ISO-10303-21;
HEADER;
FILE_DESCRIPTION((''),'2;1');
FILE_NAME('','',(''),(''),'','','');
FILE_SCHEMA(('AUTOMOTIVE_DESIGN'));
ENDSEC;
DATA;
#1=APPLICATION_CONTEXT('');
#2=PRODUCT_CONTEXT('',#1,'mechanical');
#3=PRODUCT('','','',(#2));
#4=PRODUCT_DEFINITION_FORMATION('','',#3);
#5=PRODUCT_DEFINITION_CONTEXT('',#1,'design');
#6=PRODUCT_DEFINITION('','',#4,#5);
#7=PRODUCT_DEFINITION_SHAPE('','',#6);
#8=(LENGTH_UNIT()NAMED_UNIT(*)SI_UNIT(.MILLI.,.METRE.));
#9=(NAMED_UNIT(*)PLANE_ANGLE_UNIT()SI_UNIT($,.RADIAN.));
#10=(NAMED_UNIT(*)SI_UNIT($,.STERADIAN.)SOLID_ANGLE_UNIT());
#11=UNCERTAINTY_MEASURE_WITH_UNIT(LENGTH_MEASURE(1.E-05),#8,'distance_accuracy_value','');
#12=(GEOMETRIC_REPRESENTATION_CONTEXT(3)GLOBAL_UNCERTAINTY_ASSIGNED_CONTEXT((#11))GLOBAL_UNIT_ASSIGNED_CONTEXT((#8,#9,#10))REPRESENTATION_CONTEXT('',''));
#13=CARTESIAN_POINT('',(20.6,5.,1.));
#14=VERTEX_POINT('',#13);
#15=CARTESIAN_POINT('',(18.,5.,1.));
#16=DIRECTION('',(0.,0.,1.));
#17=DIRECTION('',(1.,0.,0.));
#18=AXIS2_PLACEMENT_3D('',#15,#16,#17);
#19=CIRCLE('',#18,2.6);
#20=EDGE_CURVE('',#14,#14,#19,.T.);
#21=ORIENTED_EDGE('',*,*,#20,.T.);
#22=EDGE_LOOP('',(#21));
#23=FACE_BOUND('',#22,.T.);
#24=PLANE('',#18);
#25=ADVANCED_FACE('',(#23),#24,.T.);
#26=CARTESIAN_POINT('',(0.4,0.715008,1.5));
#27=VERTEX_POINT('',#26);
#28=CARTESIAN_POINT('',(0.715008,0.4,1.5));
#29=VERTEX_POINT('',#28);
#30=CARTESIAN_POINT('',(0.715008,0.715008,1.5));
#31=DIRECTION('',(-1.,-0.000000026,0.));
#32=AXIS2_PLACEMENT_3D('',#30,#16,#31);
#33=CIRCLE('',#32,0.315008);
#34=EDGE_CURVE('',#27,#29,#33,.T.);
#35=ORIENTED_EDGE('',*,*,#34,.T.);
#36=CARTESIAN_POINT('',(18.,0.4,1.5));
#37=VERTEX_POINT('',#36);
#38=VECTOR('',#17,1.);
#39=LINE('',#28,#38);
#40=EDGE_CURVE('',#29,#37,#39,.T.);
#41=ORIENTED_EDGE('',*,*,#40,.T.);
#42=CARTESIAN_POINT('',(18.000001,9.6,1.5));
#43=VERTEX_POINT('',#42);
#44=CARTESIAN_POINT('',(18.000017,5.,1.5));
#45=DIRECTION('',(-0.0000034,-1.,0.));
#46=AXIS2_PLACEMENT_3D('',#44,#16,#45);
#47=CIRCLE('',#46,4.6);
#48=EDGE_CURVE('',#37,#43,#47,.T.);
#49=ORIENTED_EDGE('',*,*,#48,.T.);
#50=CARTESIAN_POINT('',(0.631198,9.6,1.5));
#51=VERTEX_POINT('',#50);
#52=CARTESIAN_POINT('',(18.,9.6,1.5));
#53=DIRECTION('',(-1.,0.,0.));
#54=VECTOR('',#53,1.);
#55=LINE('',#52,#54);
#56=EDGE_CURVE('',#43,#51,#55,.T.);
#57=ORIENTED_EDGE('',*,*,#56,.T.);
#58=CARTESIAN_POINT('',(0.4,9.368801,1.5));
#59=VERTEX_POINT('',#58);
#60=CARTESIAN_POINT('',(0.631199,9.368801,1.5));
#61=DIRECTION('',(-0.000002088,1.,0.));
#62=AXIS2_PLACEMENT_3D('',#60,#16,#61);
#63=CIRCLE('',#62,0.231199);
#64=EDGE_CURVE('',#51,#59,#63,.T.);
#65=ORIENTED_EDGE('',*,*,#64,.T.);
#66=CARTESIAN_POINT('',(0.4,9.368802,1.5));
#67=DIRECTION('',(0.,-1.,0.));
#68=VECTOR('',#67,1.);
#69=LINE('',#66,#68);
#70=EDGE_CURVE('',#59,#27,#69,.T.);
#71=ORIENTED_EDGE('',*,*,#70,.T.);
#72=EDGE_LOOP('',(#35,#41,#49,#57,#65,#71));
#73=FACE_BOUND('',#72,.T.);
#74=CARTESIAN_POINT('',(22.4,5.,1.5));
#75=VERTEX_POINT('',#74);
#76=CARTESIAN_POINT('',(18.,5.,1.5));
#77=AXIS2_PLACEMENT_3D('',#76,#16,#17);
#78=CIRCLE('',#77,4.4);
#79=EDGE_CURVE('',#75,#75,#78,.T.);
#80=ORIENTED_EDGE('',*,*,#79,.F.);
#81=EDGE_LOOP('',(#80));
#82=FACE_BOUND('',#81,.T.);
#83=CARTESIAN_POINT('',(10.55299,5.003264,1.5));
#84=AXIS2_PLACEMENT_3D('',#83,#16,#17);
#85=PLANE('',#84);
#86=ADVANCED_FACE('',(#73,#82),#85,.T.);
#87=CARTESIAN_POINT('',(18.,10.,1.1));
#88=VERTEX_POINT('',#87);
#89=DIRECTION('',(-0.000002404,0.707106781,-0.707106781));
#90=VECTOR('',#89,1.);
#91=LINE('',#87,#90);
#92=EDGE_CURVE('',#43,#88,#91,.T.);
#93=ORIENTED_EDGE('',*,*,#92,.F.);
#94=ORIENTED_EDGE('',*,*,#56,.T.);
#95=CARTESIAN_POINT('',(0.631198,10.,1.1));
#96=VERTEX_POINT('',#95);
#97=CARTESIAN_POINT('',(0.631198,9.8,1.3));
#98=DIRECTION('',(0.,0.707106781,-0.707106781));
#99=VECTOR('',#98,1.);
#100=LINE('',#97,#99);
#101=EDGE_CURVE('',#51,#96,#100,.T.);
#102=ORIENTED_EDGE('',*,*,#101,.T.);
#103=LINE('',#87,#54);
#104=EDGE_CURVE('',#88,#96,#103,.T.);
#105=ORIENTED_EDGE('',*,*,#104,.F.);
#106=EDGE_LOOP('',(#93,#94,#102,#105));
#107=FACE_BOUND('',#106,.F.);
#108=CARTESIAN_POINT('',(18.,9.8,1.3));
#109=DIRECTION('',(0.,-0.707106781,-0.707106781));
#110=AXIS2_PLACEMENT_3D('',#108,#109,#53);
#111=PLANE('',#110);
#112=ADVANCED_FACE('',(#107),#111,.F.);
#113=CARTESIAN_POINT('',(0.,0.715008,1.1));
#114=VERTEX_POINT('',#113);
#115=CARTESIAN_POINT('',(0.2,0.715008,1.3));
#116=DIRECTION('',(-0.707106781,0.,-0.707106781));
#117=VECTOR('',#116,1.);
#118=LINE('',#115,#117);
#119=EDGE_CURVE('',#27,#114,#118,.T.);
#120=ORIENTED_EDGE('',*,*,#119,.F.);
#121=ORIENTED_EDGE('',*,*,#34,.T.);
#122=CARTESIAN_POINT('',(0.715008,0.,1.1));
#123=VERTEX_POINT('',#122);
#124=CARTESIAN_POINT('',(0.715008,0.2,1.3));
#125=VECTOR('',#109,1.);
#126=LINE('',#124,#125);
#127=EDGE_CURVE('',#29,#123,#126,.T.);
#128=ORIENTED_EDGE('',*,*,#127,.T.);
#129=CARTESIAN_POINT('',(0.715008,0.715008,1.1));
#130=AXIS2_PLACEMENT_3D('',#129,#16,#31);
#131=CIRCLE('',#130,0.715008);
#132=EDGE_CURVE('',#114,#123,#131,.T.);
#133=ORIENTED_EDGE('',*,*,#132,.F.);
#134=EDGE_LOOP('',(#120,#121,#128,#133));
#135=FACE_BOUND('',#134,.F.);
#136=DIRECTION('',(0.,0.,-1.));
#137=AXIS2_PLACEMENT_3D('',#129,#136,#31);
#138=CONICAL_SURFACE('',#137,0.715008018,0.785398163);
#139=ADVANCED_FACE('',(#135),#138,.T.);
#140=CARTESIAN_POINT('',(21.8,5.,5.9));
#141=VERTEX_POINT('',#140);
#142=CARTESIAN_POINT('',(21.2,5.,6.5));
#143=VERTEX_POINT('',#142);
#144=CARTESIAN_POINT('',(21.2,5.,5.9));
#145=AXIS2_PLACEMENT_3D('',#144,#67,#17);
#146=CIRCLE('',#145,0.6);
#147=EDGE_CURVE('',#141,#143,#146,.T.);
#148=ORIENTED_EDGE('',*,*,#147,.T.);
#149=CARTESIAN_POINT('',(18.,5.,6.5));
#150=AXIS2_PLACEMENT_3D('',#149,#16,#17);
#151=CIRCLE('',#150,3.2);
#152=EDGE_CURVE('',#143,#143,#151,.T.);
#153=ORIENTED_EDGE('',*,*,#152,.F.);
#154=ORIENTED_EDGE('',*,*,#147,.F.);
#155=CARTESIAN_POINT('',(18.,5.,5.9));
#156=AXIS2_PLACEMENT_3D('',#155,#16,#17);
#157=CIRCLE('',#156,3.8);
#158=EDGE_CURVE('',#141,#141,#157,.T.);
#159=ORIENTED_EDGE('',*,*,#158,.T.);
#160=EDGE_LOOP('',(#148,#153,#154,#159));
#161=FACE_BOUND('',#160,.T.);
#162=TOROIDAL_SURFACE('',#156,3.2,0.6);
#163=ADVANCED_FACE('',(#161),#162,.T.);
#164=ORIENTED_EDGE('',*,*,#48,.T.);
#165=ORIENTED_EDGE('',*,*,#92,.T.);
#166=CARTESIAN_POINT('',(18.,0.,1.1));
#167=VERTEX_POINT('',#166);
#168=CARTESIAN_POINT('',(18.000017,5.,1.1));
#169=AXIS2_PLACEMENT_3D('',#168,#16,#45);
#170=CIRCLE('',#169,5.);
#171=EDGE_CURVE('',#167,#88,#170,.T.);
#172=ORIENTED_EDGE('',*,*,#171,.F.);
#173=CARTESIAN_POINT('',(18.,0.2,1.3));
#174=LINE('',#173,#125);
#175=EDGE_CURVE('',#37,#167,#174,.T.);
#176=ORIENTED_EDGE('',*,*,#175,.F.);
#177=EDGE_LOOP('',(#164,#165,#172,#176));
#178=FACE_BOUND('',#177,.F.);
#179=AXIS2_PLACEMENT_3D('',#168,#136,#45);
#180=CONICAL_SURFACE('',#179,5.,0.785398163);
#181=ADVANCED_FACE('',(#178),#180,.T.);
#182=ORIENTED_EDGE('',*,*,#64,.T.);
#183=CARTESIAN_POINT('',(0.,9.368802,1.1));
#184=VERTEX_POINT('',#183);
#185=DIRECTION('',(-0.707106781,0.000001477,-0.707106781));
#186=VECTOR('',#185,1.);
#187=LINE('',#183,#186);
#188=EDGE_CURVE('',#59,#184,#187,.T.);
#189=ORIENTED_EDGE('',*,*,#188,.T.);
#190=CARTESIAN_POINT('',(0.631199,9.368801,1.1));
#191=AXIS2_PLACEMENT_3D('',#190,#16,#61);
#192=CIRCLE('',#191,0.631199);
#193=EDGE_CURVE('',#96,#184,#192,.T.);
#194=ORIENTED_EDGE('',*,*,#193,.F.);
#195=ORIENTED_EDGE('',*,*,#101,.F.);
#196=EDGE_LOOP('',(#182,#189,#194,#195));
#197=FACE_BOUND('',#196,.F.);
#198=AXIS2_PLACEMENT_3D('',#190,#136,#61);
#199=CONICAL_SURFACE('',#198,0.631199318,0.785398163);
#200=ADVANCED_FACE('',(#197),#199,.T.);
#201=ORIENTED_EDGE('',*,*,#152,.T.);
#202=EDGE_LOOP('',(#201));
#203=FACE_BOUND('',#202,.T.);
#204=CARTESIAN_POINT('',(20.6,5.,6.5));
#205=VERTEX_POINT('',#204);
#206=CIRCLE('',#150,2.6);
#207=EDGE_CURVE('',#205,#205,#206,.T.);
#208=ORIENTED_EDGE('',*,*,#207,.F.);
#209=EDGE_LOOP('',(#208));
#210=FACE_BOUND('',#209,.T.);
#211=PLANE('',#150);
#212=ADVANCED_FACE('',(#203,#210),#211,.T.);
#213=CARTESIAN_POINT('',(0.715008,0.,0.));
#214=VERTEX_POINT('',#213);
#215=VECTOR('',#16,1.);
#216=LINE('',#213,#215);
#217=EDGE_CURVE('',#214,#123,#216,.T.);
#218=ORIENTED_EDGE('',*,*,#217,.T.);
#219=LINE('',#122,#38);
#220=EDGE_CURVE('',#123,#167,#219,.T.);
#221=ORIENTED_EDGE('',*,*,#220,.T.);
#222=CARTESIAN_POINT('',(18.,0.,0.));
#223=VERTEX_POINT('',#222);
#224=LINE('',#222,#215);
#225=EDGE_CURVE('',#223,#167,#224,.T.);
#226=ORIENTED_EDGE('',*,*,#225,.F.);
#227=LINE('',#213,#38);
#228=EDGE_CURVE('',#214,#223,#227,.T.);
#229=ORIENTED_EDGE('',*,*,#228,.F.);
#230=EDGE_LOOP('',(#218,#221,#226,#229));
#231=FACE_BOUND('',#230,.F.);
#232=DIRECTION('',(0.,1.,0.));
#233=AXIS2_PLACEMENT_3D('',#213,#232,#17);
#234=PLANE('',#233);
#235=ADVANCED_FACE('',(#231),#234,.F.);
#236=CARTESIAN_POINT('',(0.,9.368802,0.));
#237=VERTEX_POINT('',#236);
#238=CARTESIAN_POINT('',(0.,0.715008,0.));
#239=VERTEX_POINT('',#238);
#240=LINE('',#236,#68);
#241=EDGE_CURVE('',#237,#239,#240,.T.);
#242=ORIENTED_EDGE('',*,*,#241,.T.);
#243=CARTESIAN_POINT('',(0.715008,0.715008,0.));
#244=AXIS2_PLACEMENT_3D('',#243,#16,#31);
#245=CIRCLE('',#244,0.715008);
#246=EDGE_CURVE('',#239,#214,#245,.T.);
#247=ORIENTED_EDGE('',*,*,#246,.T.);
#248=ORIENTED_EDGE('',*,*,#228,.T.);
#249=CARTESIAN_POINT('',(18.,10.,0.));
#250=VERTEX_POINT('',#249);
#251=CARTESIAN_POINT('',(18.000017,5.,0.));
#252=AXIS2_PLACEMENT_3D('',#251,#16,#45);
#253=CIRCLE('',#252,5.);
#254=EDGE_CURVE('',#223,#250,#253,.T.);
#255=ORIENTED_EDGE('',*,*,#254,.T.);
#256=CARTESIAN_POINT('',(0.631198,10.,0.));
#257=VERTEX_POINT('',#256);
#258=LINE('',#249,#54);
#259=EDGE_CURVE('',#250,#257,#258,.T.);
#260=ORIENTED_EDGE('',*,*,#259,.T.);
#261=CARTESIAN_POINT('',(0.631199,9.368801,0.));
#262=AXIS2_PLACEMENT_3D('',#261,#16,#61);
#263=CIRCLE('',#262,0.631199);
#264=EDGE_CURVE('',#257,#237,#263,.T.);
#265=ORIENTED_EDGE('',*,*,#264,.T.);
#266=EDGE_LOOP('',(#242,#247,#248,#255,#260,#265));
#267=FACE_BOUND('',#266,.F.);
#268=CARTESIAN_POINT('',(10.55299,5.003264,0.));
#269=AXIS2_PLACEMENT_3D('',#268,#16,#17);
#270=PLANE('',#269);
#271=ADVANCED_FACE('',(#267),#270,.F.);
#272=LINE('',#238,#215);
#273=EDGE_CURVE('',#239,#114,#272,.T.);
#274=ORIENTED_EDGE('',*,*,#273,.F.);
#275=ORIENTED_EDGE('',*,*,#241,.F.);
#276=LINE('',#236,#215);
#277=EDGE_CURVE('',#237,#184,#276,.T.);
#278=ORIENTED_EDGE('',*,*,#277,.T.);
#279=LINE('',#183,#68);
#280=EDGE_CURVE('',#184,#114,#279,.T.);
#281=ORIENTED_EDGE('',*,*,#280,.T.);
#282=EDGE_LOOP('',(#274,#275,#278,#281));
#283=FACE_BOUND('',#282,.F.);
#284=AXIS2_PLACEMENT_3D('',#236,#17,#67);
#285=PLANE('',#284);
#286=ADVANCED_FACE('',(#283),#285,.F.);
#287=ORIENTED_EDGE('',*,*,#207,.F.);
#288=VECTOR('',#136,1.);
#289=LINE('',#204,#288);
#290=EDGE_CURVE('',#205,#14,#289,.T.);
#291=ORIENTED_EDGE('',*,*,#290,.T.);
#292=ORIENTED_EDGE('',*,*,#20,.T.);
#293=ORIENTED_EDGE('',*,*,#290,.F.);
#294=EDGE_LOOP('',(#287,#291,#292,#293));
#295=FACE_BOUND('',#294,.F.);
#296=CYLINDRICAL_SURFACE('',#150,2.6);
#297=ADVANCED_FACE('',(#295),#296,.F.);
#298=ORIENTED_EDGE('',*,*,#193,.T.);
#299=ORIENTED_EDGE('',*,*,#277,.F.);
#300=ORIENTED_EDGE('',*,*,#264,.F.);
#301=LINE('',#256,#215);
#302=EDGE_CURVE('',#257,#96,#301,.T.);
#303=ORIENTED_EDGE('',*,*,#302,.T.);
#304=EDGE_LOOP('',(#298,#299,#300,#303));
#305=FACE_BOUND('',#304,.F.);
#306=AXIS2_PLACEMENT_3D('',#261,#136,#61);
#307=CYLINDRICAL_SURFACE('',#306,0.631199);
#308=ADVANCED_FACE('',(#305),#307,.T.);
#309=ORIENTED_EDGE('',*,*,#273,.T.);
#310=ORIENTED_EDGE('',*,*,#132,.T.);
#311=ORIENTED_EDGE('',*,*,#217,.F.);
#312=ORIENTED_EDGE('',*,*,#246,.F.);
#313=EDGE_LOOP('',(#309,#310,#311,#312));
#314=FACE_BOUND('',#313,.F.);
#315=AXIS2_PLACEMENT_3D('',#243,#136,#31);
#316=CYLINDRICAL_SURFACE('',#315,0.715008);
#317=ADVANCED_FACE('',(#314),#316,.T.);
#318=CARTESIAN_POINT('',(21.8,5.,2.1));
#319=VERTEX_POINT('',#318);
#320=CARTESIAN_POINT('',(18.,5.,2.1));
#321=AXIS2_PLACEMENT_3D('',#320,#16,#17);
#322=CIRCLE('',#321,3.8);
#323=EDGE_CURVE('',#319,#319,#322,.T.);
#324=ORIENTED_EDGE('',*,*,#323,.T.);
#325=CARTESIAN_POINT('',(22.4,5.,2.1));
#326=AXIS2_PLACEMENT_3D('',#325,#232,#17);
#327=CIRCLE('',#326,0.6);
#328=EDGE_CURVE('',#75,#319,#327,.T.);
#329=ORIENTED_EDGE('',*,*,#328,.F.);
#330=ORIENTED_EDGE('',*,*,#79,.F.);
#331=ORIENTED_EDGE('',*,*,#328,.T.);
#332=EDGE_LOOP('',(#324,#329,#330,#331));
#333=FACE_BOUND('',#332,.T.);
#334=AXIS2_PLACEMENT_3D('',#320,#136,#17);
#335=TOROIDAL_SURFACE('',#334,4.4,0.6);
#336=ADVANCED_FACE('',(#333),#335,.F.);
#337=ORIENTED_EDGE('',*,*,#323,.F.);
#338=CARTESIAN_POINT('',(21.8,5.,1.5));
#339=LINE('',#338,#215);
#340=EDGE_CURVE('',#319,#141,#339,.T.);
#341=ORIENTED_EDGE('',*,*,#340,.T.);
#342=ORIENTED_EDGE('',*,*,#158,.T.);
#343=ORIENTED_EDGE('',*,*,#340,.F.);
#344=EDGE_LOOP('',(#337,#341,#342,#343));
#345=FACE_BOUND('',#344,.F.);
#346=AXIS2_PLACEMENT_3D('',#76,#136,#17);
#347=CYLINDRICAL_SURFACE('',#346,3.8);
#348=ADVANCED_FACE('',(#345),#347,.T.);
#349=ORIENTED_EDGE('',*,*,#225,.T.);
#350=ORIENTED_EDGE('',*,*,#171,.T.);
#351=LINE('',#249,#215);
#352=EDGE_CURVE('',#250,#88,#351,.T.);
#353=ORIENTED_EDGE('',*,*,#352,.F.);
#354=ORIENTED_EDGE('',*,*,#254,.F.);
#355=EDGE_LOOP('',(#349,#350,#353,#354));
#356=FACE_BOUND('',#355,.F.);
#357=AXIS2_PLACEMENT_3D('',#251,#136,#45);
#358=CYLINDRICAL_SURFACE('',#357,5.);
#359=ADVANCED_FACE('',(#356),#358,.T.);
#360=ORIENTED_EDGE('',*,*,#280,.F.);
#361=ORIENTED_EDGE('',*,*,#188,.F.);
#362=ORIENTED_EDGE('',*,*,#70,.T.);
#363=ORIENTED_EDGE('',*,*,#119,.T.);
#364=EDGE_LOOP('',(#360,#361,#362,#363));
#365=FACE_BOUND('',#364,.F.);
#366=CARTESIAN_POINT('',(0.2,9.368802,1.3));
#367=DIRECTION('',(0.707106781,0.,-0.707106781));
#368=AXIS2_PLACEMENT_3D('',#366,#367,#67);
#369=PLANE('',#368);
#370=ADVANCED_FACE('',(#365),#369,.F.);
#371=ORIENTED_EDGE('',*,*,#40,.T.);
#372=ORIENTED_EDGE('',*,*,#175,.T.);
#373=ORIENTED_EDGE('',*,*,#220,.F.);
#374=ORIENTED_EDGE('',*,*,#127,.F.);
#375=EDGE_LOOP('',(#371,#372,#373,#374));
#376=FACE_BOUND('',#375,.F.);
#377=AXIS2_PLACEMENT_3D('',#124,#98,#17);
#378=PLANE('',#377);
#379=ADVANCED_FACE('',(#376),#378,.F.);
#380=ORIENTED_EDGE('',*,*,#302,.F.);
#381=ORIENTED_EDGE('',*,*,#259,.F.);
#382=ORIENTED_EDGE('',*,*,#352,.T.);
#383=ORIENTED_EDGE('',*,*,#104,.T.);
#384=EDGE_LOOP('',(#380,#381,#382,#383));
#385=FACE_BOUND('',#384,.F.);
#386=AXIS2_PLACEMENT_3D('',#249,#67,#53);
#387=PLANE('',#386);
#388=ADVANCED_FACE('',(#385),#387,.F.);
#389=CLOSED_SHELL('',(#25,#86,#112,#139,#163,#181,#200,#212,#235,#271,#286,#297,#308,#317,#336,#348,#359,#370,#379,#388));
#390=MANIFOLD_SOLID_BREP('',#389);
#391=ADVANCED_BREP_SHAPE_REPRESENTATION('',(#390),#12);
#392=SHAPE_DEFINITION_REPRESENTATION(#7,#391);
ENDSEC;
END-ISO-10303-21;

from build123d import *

# Parameters (mm, degrees)
PAD_DEPTH    = 1.5
SKETCH001_R  = 3.8
PAD001_DEPTH = 5
SKETCH002_R  = 2.6
POCKET_DEPTH = 5.5
FILLET_R     = 0.6
CHAMFER_SIZE = 0.4


with BuildPart() as part:
    # Sketch → Pad (new body)
    with BuildSketch(Plane.XY):
        with BuildLine():
            Line((0.715008, 0), (18, 0))
            ThreePointArc((18, 0), (23.000017, 5), (18, 10))
            Line((18, 10), (0.631198, 10))
            ThreePointArc((0.631198, 10), (0.184874, 9.815126), (0, 9.368802))
            Line((0, 9.368802), (0, 0.715008))
            ThreePointArc((0, 0.715008), (0.209421, 0.209421), (0.715008, 0))
        make_face()
    extrude(amount=PAD_DEPTH)

    # Sketch001 (on Face8 of Pad) → Pad001 (join)
    with BuildSketch(Plane.XY.offset(1.5)):
        with Locations((18, 5)):
            Circle(SKETCH001_R)
    extrude(amount=PAD001_DEPTH)

    # Sketch002 → Pocket (cut)
    with BuildSketch(Plane.XY.offset(6.5)):
        with Locations((18, 5)):
            Circle(SKETCH002_R)
    extrude(amount=-POCKET_DEPTH, mode=Mode.SUBTRACT)

    # Fillet
    fillet_edges = [part.edges().sort_by_distance(p)[0] for p in [
        (21.8, 5, 4),
        (14.2, 5, 1.5),
        (14.2, 5, 6.5),
    ]]
    fillet(fillet_edges, radius=FILLET_R)

    # Chamfer
    chamfer_edges = [part.edges().sort_by_distance(p)[0] for p in [
        (13.6, 5, 1.5),
        (9.357504, 0, 1.5),
        (0.209421, 0.209421, 1.5),
        (23.000017, 5, 1.5),
        (0, 5.041905, 1.5),
        (9.315599, 10, 1.5),
        (0.184874, 9.815126, 1.5),
    ]]
    chamfer(chamfer_edges, length=CHAMFER_SIZE)


solid = part.part
